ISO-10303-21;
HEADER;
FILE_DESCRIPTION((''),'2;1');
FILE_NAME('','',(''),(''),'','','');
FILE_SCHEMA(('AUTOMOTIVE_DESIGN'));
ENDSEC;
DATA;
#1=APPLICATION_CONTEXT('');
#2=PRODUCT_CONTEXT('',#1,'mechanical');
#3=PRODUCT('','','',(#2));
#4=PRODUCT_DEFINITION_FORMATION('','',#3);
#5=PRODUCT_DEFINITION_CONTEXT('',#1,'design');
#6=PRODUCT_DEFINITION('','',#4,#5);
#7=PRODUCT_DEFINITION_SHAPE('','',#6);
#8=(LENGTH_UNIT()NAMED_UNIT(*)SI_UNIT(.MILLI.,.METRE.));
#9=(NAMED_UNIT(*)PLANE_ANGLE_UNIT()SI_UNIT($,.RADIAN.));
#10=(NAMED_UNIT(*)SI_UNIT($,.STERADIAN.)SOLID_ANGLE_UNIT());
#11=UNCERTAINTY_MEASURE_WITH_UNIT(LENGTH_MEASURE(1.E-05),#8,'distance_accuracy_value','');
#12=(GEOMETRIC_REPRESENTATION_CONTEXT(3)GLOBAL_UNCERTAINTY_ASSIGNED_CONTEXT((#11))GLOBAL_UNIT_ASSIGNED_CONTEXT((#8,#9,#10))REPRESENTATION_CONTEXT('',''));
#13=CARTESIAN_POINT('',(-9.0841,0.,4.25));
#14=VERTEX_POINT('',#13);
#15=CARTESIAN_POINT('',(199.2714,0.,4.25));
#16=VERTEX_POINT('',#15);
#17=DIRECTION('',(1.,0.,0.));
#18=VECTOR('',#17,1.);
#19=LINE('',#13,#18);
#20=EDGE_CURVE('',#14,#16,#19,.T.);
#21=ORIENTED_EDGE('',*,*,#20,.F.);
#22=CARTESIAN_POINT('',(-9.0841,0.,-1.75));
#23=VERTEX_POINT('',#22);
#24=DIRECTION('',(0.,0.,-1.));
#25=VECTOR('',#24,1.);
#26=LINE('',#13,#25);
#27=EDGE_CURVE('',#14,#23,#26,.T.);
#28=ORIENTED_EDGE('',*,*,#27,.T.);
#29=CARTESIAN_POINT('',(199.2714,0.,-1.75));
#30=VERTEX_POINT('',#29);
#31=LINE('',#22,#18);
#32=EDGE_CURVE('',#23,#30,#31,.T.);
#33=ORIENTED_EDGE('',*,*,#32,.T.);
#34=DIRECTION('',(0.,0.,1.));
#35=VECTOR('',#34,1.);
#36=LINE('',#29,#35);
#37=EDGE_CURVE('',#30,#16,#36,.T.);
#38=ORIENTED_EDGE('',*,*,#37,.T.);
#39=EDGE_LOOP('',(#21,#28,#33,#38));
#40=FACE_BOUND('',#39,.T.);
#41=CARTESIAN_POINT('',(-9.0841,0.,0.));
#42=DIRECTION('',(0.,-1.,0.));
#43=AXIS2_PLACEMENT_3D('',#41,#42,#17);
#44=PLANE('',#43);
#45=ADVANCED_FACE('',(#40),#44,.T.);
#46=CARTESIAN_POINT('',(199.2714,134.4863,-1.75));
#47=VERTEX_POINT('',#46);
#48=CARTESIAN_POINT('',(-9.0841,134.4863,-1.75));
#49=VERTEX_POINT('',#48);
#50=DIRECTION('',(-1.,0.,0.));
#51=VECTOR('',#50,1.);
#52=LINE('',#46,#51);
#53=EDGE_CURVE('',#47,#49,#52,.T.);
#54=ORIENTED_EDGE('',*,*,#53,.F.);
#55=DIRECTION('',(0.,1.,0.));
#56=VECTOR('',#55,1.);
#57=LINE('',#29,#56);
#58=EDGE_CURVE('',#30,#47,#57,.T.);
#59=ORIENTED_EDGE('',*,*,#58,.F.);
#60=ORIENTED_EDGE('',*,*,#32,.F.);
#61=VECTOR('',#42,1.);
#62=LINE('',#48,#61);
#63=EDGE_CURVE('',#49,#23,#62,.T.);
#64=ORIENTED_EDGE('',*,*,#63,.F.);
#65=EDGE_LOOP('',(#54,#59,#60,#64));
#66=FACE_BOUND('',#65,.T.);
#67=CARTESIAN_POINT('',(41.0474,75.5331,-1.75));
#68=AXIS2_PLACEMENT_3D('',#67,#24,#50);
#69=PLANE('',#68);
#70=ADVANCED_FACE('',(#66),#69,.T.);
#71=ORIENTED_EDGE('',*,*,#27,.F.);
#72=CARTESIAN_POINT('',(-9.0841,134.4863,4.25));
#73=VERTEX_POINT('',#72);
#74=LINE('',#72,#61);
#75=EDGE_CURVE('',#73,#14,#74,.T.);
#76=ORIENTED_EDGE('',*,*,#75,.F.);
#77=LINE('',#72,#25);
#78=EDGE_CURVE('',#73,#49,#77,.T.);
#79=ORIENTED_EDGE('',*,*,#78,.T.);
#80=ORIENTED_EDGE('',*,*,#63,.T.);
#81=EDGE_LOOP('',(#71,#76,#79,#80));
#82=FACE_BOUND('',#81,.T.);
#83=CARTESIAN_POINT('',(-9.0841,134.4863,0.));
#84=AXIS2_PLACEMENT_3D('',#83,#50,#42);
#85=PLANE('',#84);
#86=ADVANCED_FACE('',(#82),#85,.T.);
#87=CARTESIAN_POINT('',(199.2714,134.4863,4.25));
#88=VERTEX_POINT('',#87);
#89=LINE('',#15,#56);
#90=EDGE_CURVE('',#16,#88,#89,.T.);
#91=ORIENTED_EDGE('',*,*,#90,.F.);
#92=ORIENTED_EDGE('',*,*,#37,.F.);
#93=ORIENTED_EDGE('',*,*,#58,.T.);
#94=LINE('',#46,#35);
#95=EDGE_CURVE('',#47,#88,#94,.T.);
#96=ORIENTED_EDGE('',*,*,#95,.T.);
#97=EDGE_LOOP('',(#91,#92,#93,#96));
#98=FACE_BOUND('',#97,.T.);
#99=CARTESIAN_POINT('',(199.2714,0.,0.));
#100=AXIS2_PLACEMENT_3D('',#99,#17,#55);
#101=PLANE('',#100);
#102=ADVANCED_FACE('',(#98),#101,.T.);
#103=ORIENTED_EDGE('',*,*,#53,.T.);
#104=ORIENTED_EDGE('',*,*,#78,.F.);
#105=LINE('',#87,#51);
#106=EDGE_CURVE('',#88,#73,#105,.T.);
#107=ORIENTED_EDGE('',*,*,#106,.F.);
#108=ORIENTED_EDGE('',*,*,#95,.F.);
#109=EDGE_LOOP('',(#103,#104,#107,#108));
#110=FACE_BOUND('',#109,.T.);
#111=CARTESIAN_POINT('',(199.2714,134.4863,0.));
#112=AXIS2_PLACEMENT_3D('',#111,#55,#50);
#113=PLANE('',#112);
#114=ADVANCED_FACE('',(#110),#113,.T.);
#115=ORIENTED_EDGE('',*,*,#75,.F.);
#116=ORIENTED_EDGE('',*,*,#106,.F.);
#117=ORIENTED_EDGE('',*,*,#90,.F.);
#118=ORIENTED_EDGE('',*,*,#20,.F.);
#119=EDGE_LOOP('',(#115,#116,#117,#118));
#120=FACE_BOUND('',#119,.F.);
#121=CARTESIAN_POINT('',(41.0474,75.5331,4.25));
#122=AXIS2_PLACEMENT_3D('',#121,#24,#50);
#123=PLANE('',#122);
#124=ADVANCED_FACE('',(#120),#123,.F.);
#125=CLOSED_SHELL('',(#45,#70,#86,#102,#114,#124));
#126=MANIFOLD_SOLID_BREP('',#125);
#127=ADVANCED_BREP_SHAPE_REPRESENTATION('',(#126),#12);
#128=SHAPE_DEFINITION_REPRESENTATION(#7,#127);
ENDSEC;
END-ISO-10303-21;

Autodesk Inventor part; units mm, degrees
ref_plane "YZ Plane" through (0, 0, 0) normal (1, 0, 0) x (0, 1, 0)
ref_plane "XZ Plane" through (0, 0, 0) normal (0, 1, 0) x (-1, 0, 0)
ref_plane "XY Plane" through (0, 0, 0) normal (0, 0, 1) x (1, 0, 0)
sketch "Boceto1" plane through (41.0474, 75.5331, 0) normal (0, 0, -1) x (-1, 0, 0)
  line L0 (50.1315, -75.5331) -> (-158.224, -75.5331)
  line L1 (-158.224, -75.5331) -> (-158.224, 58.9532)
  line L2 (-158.224, 58.9532) -> (50.1315, 58.9532)
  line L3 (50.1315, 58.9532) -> (50.1315, -75.5331)
  point P0 (41.0474, -75.5331)
extrude "Extrusión1" add sketch "Boceto1" along normal blind 1.75 and the other way blind 4.25
properties part number "Rover 3 - Verde2"
